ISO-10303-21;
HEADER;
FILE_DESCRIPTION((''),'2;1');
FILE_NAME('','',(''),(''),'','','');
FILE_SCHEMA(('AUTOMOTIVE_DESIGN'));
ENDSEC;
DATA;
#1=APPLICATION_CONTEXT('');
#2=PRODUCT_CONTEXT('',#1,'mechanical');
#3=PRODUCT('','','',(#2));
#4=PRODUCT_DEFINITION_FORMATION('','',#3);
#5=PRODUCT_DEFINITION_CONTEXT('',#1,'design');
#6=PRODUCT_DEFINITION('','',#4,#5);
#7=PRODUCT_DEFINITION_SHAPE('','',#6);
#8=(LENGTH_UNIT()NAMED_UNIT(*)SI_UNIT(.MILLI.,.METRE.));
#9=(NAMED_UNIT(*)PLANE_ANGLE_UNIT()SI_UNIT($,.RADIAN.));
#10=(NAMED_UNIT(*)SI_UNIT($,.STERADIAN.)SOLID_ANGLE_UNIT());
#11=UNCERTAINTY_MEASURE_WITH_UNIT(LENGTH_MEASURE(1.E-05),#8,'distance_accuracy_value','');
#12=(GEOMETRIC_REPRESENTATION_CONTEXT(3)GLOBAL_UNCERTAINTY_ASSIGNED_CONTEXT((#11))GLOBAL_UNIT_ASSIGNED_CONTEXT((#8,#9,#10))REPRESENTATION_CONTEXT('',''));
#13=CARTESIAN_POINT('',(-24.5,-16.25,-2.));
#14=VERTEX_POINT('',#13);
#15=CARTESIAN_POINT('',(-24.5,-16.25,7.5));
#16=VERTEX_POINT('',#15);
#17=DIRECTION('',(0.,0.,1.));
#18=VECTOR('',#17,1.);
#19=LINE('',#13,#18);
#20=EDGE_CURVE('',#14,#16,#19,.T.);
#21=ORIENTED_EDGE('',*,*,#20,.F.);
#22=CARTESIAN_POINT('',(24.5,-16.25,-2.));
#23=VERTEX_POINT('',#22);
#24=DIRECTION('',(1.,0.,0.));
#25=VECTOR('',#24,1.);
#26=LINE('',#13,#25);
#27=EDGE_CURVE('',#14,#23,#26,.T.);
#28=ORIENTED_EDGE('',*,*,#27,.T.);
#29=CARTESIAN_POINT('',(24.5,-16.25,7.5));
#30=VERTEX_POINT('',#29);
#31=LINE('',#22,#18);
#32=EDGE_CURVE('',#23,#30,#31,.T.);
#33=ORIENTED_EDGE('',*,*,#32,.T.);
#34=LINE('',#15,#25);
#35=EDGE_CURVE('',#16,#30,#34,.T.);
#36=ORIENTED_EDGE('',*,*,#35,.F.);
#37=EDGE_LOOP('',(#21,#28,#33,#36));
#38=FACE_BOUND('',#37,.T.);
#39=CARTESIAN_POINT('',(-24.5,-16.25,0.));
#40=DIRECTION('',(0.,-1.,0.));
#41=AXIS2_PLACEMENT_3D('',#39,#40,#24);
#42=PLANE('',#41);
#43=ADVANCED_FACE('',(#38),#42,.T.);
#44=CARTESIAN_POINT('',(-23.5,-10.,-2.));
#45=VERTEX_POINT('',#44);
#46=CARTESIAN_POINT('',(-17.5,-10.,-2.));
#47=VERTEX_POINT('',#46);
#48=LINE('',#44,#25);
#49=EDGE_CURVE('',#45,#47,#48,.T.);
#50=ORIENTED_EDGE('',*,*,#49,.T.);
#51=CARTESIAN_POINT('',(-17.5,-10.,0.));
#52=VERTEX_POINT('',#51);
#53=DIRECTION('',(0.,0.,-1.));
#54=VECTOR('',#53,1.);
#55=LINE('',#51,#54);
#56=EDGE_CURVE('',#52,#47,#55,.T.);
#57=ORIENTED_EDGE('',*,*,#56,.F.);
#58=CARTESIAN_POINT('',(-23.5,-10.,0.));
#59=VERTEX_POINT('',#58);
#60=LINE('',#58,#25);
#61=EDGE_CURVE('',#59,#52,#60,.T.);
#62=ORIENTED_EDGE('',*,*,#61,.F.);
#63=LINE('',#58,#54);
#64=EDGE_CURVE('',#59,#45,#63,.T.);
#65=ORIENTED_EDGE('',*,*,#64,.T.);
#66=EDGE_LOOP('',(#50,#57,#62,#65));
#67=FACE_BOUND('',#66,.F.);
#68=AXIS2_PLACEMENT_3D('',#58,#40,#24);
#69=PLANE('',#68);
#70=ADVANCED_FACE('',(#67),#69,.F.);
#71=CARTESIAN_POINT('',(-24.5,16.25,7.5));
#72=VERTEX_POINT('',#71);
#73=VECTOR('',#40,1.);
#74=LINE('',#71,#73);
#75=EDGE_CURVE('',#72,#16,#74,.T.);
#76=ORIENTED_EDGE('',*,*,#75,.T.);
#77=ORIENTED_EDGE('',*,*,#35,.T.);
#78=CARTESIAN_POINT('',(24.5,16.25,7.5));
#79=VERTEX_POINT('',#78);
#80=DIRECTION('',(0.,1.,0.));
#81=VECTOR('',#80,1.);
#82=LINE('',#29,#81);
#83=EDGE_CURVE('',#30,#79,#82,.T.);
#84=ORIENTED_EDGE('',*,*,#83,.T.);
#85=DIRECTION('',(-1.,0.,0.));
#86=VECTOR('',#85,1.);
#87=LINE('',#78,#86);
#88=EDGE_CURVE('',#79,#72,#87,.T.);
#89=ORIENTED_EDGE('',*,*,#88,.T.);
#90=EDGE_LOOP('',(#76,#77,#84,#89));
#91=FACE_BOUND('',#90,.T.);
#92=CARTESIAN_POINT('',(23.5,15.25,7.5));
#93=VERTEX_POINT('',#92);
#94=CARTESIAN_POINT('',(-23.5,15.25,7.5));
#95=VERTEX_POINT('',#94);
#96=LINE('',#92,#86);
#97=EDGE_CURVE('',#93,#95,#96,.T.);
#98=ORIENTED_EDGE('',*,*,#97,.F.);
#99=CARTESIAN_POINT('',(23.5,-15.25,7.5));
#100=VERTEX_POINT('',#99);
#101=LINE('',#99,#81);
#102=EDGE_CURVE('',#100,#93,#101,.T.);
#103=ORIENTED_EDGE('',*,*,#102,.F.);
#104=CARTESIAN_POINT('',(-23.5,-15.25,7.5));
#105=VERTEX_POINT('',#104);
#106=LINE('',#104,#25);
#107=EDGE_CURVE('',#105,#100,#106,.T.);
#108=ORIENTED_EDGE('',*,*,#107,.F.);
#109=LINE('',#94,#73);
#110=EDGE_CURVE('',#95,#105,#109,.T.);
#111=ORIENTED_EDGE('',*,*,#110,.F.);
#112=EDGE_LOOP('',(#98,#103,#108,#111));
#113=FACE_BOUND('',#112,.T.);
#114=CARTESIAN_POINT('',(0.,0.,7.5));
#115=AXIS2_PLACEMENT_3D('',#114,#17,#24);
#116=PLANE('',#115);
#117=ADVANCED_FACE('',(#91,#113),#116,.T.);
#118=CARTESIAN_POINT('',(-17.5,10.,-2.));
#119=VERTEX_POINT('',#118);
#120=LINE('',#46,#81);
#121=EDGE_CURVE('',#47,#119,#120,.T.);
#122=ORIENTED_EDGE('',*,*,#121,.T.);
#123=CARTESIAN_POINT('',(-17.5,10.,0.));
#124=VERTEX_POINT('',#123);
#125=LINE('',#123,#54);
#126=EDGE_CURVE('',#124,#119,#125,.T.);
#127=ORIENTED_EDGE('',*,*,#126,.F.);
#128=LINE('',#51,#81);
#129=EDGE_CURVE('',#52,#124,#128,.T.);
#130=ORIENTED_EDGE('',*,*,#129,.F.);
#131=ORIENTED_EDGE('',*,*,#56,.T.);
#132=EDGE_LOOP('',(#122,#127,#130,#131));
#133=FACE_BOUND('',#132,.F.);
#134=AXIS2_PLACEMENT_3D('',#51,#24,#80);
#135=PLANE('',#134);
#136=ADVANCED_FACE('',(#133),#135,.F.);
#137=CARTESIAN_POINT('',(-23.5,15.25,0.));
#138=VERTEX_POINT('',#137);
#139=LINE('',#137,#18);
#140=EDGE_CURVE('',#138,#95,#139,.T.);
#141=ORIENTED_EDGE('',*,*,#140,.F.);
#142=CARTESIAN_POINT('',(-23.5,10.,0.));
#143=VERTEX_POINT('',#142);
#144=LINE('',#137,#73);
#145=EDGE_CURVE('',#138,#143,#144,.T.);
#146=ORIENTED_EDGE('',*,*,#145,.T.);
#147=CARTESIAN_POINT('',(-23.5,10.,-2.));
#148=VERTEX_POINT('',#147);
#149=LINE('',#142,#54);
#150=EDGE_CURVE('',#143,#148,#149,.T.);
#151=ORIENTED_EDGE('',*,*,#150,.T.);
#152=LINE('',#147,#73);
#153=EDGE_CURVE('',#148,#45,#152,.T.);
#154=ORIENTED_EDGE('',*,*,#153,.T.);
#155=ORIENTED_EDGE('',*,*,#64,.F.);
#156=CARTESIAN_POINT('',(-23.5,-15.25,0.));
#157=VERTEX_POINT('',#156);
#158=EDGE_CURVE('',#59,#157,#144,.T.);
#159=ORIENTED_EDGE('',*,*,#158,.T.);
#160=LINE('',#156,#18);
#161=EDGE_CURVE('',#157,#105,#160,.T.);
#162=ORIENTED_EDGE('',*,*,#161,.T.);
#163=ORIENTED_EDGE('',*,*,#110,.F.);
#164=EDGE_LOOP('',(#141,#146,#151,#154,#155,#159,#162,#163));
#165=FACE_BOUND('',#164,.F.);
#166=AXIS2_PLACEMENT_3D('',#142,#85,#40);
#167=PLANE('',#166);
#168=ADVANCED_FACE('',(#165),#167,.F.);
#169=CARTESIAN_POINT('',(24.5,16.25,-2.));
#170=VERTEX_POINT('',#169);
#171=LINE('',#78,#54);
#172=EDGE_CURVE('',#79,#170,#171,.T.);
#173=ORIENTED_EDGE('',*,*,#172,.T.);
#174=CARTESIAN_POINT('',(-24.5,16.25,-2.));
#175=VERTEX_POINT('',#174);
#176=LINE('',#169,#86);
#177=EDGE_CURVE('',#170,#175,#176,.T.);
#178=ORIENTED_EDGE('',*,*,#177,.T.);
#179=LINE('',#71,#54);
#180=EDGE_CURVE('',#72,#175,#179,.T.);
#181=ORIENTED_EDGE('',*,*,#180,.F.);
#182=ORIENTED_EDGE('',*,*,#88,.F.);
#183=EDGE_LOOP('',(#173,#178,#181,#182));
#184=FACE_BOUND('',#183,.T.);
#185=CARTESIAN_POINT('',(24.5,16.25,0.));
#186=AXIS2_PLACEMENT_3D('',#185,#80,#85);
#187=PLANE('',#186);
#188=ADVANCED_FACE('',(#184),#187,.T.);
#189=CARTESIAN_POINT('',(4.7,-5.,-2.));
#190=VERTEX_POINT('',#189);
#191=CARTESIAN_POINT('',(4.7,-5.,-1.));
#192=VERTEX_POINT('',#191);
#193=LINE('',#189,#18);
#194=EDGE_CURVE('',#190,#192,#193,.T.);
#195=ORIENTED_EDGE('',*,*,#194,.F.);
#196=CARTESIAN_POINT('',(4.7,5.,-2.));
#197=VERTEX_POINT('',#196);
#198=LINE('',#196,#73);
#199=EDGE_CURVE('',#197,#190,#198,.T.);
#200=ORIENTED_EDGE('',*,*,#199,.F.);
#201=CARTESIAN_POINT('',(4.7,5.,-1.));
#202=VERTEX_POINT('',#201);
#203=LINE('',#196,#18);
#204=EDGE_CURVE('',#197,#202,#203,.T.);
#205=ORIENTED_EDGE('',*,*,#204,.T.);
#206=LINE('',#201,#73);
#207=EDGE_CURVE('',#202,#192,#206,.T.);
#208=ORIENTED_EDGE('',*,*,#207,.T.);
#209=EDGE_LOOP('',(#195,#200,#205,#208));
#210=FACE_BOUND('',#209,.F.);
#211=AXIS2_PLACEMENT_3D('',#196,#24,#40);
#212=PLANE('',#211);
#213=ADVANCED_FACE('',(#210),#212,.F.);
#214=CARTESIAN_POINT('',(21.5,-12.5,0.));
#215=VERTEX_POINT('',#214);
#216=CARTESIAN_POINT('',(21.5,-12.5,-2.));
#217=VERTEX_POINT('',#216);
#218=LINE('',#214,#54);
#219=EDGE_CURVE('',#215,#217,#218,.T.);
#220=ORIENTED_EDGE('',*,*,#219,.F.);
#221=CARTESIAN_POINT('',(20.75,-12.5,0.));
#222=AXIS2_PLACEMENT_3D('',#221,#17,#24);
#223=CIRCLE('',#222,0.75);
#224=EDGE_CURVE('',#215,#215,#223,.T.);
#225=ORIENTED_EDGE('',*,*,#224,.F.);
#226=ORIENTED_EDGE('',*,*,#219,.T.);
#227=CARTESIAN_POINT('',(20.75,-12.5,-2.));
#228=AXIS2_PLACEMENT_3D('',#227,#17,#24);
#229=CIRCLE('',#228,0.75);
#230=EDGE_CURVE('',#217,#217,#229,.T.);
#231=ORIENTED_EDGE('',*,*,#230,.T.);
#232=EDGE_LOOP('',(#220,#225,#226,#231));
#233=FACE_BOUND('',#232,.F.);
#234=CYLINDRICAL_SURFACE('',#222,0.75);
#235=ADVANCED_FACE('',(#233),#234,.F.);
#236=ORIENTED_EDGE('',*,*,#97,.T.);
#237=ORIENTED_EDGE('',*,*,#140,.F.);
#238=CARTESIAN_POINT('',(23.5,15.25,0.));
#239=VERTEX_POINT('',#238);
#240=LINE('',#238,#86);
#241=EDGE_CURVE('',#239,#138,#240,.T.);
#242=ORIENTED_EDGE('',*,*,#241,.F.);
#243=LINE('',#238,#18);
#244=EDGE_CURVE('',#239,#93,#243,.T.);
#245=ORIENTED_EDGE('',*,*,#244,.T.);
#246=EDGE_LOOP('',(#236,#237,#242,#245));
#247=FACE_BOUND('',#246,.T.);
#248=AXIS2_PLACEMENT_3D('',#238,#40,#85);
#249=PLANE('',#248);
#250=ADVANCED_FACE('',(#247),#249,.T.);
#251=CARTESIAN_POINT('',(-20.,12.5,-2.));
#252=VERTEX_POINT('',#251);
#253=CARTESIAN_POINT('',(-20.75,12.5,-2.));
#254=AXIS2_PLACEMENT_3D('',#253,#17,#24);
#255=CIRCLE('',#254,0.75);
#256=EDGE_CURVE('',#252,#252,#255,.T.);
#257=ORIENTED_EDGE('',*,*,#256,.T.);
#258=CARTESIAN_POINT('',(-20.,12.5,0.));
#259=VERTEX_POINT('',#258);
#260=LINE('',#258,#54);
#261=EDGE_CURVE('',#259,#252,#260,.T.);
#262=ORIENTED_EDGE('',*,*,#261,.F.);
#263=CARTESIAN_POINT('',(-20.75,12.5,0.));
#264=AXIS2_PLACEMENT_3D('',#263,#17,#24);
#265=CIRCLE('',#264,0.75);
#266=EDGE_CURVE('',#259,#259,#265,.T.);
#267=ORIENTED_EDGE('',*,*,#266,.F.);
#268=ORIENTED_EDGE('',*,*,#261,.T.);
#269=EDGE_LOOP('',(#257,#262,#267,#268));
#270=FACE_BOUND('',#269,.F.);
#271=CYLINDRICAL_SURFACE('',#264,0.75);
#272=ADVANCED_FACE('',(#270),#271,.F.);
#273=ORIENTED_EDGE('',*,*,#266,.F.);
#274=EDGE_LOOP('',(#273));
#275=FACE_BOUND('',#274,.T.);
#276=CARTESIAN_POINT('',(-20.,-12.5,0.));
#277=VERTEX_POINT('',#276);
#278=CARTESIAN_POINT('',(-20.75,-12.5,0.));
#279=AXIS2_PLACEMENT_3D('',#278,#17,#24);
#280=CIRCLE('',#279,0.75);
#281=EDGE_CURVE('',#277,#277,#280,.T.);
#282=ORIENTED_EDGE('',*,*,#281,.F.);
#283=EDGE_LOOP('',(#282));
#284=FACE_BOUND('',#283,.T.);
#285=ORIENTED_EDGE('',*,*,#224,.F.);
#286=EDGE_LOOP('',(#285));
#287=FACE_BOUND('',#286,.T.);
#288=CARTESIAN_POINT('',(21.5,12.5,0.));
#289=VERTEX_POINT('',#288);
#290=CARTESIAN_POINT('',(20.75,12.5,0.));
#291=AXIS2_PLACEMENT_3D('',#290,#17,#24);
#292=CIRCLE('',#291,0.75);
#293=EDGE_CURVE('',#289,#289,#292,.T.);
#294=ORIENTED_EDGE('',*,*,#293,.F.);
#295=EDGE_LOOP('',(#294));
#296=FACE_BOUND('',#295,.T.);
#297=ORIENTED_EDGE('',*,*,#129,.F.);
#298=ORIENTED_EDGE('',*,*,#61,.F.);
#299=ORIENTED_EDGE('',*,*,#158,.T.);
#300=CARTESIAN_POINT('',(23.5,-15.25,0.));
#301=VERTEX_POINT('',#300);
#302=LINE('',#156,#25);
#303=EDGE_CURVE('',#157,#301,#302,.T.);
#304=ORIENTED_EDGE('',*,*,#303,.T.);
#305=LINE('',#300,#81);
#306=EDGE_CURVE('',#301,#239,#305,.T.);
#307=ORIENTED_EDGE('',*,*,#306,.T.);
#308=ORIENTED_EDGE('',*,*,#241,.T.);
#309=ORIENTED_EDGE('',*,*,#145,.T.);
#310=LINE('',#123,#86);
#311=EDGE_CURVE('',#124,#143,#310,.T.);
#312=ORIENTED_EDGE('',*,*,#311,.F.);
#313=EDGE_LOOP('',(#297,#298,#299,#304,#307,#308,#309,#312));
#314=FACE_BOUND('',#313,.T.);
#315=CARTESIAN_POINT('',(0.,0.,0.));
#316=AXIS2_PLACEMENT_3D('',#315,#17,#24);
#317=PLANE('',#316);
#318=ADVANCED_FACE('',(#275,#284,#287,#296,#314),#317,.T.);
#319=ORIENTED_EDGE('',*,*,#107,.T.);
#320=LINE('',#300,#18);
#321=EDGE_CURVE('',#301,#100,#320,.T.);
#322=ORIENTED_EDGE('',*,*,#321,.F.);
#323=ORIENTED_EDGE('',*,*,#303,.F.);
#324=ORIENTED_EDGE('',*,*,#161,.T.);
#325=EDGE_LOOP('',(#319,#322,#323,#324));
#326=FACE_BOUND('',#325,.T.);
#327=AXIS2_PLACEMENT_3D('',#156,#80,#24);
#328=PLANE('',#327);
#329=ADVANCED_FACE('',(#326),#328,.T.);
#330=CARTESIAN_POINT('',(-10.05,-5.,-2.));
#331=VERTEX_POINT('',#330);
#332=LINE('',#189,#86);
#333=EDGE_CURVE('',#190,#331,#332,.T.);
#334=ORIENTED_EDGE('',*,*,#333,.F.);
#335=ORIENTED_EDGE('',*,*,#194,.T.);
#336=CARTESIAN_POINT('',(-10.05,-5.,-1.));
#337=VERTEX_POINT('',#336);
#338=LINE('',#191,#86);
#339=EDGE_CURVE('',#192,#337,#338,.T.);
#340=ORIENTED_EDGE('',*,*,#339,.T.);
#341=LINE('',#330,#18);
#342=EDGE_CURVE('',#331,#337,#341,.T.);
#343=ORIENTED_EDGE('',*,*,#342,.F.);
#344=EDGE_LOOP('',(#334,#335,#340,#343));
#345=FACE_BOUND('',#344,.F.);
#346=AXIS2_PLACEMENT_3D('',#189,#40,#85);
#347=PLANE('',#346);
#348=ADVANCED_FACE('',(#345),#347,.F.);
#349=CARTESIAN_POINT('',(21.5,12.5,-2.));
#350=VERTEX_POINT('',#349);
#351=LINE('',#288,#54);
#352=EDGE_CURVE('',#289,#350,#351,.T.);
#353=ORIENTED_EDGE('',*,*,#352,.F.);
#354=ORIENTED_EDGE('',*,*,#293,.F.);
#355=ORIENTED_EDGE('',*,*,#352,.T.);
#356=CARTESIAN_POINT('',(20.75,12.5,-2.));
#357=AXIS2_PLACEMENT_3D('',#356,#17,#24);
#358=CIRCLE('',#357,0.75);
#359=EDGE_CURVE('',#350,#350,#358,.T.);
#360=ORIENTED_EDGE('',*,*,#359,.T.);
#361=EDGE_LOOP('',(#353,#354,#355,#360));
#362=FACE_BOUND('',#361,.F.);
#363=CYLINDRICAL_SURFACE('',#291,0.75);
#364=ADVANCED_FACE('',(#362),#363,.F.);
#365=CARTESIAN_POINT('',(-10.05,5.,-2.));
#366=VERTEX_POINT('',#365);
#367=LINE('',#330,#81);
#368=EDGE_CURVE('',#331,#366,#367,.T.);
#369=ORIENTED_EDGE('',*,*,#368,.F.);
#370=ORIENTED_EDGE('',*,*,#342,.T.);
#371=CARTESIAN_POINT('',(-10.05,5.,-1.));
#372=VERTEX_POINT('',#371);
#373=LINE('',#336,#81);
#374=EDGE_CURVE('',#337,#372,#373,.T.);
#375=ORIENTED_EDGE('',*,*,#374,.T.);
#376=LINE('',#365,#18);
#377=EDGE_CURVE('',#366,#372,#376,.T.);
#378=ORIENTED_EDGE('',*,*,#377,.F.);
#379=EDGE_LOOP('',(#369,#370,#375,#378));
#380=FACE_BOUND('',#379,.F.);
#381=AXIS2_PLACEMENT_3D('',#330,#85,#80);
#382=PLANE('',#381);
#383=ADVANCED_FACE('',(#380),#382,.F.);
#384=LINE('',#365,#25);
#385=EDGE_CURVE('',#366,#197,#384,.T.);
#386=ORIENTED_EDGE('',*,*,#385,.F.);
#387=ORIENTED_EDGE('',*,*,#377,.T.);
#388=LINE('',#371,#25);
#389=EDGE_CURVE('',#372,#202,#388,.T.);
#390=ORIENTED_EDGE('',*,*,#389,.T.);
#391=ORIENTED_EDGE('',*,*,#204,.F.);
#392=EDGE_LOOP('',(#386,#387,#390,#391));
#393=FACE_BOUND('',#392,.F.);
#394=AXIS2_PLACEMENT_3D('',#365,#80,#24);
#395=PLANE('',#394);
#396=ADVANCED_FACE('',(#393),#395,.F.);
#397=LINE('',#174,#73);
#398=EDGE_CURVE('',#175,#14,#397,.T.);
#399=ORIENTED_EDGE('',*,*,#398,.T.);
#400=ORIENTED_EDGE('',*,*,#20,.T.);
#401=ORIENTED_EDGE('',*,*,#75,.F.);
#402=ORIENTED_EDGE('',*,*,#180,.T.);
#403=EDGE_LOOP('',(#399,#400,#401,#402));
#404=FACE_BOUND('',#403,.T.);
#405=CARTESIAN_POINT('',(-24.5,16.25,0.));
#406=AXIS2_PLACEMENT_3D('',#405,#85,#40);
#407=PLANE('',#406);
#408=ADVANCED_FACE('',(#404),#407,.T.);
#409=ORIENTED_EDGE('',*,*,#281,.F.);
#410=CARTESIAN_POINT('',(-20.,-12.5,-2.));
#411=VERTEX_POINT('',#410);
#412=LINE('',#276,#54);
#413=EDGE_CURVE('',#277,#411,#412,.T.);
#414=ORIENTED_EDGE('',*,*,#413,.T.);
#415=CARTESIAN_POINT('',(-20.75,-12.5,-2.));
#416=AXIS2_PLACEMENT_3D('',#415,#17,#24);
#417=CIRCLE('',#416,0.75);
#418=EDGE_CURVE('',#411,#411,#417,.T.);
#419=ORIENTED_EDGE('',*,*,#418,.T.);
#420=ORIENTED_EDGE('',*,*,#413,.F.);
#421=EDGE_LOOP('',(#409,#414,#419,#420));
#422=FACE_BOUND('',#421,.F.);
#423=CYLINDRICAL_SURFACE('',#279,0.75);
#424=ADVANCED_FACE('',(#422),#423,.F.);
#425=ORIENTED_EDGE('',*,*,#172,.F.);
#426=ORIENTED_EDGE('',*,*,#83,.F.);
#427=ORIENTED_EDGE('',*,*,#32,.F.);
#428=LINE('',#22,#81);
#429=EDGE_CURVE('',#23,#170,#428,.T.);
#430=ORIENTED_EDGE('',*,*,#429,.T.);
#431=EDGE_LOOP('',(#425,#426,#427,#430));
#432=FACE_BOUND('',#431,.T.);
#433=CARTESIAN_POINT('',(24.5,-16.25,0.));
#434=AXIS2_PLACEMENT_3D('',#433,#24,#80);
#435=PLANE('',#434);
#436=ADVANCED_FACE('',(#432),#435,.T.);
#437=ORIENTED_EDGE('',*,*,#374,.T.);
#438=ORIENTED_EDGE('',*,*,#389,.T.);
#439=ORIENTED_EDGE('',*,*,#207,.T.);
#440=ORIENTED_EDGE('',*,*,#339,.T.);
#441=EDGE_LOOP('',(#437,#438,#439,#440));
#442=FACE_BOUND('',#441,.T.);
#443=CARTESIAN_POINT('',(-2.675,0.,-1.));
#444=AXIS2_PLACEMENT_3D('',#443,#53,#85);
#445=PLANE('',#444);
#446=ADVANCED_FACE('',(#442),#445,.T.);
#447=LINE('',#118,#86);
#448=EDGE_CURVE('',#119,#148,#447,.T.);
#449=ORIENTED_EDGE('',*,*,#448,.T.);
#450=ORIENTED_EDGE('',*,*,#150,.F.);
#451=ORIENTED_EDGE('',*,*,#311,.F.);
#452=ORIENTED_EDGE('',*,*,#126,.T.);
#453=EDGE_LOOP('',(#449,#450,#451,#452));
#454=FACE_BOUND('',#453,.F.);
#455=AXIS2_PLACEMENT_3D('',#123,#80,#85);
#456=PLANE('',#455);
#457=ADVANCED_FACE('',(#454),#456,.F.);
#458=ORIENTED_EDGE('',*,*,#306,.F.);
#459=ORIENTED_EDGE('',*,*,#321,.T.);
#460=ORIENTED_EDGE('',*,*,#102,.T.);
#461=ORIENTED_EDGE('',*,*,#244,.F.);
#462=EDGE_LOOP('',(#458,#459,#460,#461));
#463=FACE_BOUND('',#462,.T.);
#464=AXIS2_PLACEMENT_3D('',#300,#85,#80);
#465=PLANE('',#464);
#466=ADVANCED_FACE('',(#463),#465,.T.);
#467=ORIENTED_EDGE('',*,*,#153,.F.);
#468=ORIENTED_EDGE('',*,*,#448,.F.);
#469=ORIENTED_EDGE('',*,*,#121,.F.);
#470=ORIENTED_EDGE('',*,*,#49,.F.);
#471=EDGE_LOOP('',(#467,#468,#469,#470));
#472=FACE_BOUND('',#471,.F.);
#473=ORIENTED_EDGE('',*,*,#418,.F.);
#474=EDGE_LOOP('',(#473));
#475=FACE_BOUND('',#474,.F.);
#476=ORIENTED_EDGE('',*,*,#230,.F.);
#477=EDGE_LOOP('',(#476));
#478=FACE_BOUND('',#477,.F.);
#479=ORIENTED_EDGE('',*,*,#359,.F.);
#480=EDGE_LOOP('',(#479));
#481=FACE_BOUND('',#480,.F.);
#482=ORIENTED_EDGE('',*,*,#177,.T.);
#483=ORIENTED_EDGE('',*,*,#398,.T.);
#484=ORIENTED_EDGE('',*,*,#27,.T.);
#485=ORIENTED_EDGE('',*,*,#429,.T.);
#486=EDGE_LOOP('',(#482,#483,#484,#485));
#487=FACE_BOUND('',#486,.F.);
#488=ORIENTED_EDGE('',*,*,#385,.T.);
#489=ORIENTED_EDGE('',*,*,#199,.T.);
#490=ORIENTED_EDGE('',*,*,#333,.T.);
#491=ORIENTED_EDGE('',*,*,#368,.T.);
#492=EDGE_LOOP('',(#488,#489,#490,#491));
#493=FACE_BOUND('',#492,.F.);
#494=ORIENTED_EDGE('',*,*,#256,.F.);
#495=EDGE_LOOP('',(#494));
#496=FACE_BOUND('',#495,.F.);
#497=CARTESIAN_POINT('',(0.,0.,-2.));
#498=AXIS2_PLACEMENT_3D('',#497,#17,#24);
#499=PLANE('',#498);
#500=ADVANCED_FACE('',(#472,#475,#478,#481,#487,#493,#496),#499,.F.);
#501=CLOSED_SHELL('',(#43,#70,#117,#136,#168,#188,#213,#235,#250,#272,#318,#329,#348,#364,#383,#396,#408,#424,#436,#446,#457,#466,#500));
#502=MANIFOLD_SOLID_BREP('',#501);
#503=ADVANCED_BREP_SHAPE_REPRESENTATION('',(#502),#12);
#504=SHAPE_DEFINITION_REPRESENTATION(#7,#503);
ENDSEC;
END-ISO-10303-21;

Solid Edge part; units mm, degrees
sketch "Sketch1" plane through (0, 0, 0) normal (0, 0, 1) x (1, 0, 0)
  line L0 (-24.5, 16.25) -> (-24.5, -16.25)
  line L1 (-24.5, -16.25) -> (24.5, -16.25)
  line L2 (24.5, -16.25) -> (24.5, 16.25)
  line L3 (24.5, 16.25) -> (-24.5, 16.25)
extrude "Protrusion1" add sketch "Sketch1" against normal blind 2
sketch "Sketch2" plane through (0, 0, 0) normal (0, 0, 1) x (1, 0, 0)
  line L0 (-23.5, 15.25) -> (-23.5, -15.25)
  line L1 (-23.5, -15.25) -> (23.5, -15.25)
  line L2 (23.5, -15.25) -> (23.5, 15.25)
  line L3 (23.5, 15.25) -> (-23.5, 15.25)
  line L4 (-24.5, 16.25) -> (-24.5, -16.25)
  line L5 (-24.5, -16.25) -> (24.5, -16.25)
  line L6 (24.5, -16.25) -> (24.5, 16.25)
  line L7 (24.5, 16.25) -> (-24.5, 16.25)
  dimension "D1" = 30.5
  dimension "D2" = 47
  dimension "D3" = 1
  dimension "D4" = 1.5
  dimension "D5" = 25
  dimension "D6" = 41.5
  dimension "D7" = 1
  dimension "D8" = 1
  dimension "D9" = 1
  dimension "D10" = 1
  dimension "D11" = 20
  dimension "D12" = 6
extrude "ExtrudedProtrusion_2" add sketch "Sketch2" along normal blind 7.5
sketch "Sketch3" plane through (0, 0, 0) normal (0, 0, 1) x (1, 0, 0)
  line L0 (-17.5, -10) -> (-17.5, 10)
  line L1 (-17.5, 10) -> (-23.5, 10)
  line L2 (-23.5, 10) -> (-23.5, -10)
  line L3 (-23.5, -10) -> (-17.5, -10)
extrude "Cutout1" cut sketch "Sketch3" against normal up to vertex (2 mm away)
sketch "Sketch4" plane through (0, 0, 0) normal (0, 0, 1) x (1, 0, 0)
  circle A0 centre (-20.75, 12.5) radius 0.75
  circle A1 centre (-20.75, -12.5) radius 0.75
  circle A2 centre (20.75, -12.5) radius 0.75
  circle A3 centre (20.75, 12.5) radius 0.75
  dimension "D1" = 30.5
  dimension "D2" = 47
  dimension "D3" = 1
  dimension "D4" = 1.5
  dimension "D5" = 25
  dimension "D6" = 41.5
  dimension "D7" = 1
  dimension "D8" = 1
  dimension "D9" = 1
  dimension "D10" = 1
  dimension "D11" = 20
  dimension "D12" = 6
extrude "Cutout2" cut sketch "Sketch4" against normal up to vertex (2 mm away)
sketch "Sketch5" plane through (0, 0, -2) normal (0, 0, -1) x (1, 0, 0)
  line L0 (-10.05, 5.5) -> (-10.05, -4.5)
  line L1 (-10.05, -4.5) -> (4.7, -4.5)
  line L2 (4.7, -4.5) -> (4.7, 5.5)
  line L3 (4.7, 5.5) -> (-10.05, 5.5)
extrude "ExtrudedCutout_4" cut sketch "Sketch5" against normal blind 1
sketch "Sketch6" plane through (0, 0, -2) normal (0, 0, -1) x (1, 0, 0)
  line L0 (4.7, 5.5) -> (-10.05, 5.5)
  line L1 (-10.05, 5.5) -> (-10.05, -4.5)
  line L2 (-10.05, -4.5) -> (4.7, -4.5)
  line L3 (4.7, -4.5) -> (4.7, 5.5)
extrude "Protrusion2" add sketch "Sketch6" against normal up to vertex (1 mm away)
sketch "Sketch7" plane through (0, 0, -2) normal (0, 0, -1) x (1, 0, 0)
  line L0 (-10.05, -5) -> (4.7, -5)
  line L1 (4.7, -5) -> (4.7, 5)
  line L2 (4.7, 5) -> (-10.05, 5)
  line L3 (-10.05, 5) -> (-10.05, -5)
extrude "ExtrudedCutout_5" cut sketch "Sketch7" against normal blind 1
properties material "Graphite"
